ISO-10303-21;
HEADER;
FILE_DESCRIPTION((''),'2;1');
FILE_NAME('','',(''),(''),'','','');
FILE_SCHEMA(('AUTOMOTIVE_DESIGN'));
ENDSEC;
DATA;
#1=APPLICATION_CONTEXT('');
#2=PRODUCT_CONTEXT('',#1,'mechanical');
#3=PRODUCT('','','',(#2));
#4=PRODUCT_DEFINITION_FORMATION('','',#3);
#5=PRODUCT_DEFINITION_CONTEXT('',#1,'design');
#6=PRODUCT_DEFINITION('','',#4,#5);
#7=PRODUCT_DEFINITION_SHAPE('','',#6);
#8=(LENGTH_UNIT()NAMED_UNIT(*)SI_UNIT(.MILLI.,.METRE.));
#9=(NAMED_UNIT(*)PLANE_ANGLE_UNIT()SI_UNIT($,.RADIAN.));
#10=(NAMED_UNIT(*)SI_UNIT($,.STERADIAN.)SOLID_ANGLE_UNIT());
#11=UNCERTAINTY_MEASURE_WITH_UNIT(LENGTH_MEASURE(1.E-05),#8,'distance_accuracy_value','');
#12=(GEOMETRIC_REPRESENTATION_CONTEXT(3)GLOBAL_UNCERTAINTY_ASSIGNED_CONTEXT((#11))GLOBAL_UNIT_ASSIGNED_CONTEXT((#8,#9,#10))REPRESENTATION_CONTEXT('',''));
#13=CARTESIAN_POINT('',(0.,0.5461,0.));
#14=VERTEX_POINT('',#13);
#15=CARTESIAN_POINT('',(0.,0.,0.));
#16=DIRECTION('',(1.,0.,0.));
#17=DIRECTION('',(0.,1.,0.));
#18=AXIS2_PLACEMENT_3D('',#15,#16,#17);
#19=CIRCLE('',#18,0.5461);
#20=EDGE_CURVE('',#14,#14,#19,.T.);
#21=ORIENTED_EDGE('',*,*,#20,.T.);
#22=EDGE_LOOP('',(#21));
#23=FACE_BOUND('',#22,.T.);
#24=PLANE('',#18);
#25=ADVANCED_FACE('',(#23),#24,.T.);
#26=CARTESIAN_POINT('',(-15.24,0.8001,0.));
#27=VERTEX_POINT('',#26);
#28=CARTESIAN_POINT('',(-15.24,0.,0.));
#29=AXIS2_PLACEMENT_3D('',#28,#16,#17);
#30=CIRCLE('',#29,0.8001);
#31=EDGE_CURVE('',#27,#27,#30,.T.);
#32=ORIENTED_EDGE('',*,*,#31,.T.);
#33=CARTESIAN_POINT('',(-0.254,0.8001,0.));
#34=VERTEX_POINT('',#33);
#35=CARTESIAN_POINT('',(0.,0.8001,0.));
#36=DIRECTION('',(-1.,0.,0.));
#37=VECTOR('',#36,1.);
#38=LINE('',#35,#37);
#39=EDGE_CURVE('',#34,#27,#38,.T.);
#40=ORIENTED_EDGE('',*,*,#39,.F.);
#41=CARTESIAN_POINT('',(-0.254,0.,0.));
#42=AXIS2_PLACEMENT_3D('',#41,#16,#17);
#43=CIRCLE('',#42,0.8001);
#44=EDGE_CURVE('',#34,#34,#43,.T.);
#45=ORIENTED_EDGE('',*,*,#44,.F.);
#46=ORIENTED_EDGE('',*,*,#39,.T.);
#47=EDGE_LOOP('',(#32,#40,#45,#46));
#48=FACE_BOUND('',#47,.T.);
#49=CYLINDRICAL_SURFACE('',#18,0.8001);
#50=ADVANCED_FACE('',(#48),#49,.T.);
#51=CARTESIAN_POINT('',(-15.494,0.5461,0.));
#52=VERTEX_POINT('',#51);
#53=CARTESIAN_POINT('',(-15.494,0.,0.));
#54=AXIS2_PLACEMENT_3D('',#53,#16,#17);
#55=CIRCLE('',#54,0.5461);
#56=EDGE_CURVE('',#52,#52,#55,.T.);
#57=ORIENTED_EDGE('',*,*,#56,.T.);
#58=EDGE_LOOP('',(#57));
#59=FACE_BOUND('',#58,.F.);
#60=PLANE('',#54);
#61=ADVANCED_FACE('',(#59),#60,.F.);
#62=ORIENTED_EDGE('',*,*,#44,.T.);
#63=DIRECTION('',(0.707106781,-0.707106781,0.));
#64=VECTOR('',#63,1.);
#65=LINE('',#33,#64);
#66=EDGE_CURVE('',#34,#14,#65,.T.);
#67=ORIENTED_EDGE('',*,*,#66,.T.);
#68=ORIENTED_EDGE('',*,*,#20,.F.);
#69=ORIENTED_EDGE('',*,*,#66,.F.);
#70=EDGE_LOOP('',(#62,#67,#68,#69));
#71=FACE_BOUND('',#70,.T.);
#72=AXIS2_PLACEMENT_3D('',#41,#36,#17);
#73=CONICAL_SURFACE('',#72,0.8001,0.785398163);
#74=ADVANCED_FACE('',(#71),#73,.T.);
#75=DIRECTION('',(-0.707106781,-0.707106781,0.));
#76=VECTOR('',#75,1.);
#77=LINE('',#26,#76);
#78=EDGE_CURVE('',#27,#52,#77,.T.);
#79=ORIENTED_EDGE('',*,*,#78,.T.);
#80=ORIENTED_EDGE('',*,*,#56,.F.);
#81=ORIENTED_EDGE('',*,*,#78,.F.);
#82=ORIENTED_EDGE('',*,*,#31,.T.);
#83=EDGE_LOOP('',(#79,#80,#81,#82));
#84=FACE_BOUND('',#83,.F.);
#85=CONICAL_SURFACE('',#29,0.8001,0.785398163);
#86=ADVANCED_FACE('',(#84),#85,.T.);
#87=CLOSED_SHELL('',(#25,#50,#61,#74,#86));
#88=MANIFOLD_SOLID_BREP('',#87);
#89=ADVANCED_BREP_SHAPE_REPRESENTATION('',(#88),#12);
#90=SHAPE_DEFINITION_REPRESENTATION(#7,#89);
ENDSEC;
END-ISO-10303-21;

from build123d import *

# Parameters (mm, degrees)
F0_R     = 0.8001
F1_DEPTH = 15.494
F2_SIZE2 = 0.254
F2_SIZE  = 0.254


with BuildPart() as f1:
    # F0 (on Right) → F1 (new body)
    with BuildSketch(Plane.YZ):
        Circle(F0_R)
    extrude(amount=-F1_DEPTH)

    # F2
    f2_edges = [f1.edges().sort_by_distance(p)[0] for p in [
        (-15.494, -0.8001, 0),
        (0, -0.8001, 0),
    ]]
    chamfer(f2_edges, length=F2_SIZE, length2=F2_SIZE2)


solid = f1.part
